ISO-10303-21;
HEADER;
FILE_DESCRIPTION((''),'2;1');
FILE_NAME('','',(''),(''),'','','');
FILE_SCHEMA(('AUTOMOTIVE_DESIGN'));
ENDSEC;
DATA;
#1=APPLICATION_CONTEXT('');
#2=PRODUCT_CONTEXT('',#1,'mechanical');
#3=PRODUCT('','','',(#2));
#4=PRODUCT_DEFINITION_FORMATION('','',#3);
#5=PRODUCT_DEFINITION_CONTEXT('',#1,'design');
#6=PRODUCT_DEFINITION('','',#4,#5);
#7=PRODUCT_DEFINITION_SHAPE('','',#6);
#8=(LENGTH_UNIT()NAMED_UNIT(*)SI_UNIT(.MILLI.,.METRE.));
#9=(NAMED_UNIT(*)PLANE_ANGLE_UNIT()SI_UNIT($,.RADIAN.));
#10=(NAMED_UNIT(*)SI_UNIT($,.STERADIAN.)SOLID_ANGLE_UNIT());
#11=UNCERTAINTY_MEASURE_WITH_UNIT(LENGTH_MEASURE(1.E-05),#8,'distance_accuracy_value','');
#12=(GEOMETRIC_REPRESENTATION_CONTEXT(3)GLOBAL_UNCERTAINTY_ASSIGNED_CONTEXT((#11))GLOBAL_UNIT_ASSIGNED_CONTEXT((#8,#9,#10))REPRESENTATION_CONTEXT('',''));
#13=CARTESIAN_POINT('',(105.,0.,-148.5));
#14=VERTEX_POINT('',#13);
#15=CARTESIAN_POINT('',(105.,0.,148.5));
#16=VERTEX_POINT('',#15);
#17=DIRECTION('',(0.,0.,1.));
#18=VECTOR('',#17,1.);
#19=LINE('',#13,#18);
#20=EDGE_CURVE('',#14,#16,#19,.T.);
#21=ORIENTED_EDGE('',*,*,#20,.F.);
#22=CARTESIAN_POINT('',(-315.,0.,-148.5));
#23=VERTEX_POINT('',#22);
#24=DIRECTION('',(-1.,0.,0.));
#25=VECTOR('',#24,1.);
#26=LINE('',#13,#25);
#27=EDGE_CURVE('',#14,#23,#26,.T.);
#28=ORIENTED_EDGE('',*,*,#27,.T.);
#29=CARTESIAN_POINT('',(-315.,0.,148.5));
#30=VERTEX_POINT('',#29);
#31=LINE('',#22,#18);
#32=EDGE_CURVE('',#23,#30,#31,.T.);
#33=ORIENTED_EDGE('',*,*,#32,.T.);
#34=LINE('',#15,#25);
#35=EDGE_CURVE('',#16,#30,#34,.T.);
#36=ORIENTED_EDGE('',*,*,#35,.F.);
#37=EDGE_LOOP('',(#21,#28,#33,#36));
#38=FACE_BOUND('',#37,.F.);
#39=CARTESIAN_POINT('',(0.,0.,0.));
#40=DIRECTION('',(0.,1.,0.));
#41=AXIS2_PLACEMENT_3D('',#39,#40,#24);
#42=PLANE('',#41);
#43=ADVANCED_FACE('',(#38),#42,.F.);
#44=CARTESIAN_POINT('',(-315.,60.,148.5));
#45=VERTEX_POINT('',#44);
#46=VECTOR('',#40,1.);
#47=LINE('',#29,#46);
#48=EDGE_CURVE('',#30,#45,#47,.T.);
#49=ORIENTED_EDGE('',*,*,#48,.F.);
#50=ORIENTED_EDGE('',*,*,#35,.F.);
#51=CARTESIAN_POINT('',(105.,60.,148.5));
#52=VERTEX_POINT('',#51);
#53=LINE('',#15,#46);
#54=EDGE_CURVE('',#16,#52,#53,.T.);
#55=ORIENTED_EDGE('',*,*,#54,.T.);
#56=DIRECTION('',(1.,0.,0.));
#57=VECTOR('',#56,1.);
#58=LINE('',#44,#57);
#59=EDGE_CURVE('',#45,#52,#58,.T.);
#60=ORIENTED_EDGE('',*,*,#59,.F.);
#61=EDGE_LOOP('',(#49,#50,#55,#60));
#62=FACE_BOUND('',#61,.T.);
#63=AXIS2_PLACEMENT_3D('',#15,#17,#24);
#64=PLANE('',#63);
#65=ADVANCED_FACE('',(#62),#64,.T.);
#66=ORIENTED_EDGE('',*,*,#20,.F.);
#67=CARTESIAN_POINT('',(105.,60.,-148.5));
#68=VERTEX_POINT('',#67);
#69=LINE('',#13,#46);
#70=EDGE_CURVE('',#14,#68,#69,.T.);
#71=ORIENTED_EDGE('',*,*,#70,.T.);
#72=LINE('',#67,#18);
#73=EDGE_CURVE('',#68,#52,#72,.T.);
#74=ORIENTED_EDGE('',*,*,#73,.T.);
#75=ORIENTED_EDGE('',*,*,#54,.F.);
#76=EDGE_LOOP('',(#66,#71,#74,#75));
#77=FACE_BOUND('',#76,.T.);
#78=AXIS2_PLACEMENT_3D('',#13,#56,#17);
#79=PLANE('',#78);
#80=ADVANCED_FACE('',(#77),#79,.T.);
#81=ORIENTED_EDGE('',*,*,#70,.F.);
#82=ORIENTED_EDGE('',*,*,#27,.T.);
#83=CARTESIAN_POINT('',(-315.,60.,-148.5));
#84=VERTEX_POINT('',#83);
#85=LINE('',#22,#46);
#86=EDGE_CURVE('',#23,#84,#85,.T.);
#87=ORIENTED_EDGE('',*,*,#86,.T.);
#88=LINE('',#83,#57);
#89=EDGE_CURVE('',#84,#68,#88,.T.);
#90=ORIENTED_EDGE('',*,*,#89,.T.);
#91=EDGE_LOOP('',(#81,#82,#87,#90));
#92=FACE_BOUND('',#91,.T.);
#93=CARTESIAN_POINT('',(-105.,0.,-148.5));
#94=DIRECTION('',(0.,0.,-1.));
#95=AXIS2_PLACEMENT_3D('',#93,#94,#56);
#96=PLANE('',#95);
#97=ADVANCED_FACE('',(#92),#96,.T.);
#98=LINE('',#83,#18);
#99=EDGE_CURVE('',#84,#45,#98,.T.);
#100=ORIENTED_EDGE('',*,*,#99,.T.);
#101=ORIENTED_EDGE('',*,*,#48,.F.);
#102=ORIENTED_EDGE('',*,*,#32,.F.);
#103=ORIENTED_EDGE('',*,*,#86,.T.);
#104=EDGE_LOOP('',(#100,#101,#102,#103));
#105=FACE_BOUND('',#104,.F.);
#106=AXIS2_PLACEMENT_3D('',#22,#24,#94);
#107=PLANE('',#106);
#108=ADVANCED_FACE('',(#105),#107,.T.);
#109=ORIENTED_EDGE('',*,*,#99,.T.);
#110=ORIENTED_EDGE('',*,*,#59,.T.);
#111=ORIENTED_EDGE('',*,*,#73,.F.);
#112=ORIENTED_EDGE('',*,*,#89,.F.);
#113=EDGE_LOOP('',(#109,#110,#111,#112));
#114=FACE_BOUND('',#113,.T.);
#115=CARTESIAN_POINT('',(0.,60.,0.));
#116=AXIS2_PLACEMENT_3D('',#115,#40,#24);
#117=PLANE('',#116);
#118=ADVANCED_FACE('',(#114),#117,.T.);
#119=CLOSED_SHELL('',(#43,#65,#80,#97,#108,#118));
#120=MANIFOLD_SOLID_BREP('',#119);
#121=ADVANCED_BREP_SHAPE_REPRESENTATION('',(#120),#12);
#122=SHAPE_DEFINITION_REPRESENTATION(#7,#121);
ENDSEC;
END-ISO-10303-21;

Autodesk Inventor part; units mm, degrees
ref_plane "YZ Plane" through (0, 0, 0) normal (1, 0, 0) x (0, 1, 0)
ref_plane "XZ Plane" through (0, 0, 0) normal (0, 1, 0) x (-1, 0, 0)
ref_plane "XY Plane" through (0, 0, 0) normal (0, 0, 1) x (1, 0, 0)
sketch "スケッチ1" plane through (0, 0, 0) normal (0, 1, 0) x (-1, 0, 0)
  line L0 (105, -148.5) -> (-105, -148.5)
  line L1 (-105, -148.5) -> (-105, 148.5)
  line L2 (-105, 148.5) -> (105, 148.5)
  line L3 (105, 148.5) -> (105, -148.5)
  line L4 (105, -148.5) -> (-105, 148.5) construction
  line L5 (-105, -148.5) -> (105, 148.5) construction
  point P0 (0, 0)
  dimension "d0" = 210
  dimension "d1" = 297
extrude "押し出し1" add sketch "スケッチ1" along normal blind 60
mirror "ミラー1" about plane through (-105, 0, -148.5) normal (-1, 0, 0) of "押し出し1"
properties part number "book"
